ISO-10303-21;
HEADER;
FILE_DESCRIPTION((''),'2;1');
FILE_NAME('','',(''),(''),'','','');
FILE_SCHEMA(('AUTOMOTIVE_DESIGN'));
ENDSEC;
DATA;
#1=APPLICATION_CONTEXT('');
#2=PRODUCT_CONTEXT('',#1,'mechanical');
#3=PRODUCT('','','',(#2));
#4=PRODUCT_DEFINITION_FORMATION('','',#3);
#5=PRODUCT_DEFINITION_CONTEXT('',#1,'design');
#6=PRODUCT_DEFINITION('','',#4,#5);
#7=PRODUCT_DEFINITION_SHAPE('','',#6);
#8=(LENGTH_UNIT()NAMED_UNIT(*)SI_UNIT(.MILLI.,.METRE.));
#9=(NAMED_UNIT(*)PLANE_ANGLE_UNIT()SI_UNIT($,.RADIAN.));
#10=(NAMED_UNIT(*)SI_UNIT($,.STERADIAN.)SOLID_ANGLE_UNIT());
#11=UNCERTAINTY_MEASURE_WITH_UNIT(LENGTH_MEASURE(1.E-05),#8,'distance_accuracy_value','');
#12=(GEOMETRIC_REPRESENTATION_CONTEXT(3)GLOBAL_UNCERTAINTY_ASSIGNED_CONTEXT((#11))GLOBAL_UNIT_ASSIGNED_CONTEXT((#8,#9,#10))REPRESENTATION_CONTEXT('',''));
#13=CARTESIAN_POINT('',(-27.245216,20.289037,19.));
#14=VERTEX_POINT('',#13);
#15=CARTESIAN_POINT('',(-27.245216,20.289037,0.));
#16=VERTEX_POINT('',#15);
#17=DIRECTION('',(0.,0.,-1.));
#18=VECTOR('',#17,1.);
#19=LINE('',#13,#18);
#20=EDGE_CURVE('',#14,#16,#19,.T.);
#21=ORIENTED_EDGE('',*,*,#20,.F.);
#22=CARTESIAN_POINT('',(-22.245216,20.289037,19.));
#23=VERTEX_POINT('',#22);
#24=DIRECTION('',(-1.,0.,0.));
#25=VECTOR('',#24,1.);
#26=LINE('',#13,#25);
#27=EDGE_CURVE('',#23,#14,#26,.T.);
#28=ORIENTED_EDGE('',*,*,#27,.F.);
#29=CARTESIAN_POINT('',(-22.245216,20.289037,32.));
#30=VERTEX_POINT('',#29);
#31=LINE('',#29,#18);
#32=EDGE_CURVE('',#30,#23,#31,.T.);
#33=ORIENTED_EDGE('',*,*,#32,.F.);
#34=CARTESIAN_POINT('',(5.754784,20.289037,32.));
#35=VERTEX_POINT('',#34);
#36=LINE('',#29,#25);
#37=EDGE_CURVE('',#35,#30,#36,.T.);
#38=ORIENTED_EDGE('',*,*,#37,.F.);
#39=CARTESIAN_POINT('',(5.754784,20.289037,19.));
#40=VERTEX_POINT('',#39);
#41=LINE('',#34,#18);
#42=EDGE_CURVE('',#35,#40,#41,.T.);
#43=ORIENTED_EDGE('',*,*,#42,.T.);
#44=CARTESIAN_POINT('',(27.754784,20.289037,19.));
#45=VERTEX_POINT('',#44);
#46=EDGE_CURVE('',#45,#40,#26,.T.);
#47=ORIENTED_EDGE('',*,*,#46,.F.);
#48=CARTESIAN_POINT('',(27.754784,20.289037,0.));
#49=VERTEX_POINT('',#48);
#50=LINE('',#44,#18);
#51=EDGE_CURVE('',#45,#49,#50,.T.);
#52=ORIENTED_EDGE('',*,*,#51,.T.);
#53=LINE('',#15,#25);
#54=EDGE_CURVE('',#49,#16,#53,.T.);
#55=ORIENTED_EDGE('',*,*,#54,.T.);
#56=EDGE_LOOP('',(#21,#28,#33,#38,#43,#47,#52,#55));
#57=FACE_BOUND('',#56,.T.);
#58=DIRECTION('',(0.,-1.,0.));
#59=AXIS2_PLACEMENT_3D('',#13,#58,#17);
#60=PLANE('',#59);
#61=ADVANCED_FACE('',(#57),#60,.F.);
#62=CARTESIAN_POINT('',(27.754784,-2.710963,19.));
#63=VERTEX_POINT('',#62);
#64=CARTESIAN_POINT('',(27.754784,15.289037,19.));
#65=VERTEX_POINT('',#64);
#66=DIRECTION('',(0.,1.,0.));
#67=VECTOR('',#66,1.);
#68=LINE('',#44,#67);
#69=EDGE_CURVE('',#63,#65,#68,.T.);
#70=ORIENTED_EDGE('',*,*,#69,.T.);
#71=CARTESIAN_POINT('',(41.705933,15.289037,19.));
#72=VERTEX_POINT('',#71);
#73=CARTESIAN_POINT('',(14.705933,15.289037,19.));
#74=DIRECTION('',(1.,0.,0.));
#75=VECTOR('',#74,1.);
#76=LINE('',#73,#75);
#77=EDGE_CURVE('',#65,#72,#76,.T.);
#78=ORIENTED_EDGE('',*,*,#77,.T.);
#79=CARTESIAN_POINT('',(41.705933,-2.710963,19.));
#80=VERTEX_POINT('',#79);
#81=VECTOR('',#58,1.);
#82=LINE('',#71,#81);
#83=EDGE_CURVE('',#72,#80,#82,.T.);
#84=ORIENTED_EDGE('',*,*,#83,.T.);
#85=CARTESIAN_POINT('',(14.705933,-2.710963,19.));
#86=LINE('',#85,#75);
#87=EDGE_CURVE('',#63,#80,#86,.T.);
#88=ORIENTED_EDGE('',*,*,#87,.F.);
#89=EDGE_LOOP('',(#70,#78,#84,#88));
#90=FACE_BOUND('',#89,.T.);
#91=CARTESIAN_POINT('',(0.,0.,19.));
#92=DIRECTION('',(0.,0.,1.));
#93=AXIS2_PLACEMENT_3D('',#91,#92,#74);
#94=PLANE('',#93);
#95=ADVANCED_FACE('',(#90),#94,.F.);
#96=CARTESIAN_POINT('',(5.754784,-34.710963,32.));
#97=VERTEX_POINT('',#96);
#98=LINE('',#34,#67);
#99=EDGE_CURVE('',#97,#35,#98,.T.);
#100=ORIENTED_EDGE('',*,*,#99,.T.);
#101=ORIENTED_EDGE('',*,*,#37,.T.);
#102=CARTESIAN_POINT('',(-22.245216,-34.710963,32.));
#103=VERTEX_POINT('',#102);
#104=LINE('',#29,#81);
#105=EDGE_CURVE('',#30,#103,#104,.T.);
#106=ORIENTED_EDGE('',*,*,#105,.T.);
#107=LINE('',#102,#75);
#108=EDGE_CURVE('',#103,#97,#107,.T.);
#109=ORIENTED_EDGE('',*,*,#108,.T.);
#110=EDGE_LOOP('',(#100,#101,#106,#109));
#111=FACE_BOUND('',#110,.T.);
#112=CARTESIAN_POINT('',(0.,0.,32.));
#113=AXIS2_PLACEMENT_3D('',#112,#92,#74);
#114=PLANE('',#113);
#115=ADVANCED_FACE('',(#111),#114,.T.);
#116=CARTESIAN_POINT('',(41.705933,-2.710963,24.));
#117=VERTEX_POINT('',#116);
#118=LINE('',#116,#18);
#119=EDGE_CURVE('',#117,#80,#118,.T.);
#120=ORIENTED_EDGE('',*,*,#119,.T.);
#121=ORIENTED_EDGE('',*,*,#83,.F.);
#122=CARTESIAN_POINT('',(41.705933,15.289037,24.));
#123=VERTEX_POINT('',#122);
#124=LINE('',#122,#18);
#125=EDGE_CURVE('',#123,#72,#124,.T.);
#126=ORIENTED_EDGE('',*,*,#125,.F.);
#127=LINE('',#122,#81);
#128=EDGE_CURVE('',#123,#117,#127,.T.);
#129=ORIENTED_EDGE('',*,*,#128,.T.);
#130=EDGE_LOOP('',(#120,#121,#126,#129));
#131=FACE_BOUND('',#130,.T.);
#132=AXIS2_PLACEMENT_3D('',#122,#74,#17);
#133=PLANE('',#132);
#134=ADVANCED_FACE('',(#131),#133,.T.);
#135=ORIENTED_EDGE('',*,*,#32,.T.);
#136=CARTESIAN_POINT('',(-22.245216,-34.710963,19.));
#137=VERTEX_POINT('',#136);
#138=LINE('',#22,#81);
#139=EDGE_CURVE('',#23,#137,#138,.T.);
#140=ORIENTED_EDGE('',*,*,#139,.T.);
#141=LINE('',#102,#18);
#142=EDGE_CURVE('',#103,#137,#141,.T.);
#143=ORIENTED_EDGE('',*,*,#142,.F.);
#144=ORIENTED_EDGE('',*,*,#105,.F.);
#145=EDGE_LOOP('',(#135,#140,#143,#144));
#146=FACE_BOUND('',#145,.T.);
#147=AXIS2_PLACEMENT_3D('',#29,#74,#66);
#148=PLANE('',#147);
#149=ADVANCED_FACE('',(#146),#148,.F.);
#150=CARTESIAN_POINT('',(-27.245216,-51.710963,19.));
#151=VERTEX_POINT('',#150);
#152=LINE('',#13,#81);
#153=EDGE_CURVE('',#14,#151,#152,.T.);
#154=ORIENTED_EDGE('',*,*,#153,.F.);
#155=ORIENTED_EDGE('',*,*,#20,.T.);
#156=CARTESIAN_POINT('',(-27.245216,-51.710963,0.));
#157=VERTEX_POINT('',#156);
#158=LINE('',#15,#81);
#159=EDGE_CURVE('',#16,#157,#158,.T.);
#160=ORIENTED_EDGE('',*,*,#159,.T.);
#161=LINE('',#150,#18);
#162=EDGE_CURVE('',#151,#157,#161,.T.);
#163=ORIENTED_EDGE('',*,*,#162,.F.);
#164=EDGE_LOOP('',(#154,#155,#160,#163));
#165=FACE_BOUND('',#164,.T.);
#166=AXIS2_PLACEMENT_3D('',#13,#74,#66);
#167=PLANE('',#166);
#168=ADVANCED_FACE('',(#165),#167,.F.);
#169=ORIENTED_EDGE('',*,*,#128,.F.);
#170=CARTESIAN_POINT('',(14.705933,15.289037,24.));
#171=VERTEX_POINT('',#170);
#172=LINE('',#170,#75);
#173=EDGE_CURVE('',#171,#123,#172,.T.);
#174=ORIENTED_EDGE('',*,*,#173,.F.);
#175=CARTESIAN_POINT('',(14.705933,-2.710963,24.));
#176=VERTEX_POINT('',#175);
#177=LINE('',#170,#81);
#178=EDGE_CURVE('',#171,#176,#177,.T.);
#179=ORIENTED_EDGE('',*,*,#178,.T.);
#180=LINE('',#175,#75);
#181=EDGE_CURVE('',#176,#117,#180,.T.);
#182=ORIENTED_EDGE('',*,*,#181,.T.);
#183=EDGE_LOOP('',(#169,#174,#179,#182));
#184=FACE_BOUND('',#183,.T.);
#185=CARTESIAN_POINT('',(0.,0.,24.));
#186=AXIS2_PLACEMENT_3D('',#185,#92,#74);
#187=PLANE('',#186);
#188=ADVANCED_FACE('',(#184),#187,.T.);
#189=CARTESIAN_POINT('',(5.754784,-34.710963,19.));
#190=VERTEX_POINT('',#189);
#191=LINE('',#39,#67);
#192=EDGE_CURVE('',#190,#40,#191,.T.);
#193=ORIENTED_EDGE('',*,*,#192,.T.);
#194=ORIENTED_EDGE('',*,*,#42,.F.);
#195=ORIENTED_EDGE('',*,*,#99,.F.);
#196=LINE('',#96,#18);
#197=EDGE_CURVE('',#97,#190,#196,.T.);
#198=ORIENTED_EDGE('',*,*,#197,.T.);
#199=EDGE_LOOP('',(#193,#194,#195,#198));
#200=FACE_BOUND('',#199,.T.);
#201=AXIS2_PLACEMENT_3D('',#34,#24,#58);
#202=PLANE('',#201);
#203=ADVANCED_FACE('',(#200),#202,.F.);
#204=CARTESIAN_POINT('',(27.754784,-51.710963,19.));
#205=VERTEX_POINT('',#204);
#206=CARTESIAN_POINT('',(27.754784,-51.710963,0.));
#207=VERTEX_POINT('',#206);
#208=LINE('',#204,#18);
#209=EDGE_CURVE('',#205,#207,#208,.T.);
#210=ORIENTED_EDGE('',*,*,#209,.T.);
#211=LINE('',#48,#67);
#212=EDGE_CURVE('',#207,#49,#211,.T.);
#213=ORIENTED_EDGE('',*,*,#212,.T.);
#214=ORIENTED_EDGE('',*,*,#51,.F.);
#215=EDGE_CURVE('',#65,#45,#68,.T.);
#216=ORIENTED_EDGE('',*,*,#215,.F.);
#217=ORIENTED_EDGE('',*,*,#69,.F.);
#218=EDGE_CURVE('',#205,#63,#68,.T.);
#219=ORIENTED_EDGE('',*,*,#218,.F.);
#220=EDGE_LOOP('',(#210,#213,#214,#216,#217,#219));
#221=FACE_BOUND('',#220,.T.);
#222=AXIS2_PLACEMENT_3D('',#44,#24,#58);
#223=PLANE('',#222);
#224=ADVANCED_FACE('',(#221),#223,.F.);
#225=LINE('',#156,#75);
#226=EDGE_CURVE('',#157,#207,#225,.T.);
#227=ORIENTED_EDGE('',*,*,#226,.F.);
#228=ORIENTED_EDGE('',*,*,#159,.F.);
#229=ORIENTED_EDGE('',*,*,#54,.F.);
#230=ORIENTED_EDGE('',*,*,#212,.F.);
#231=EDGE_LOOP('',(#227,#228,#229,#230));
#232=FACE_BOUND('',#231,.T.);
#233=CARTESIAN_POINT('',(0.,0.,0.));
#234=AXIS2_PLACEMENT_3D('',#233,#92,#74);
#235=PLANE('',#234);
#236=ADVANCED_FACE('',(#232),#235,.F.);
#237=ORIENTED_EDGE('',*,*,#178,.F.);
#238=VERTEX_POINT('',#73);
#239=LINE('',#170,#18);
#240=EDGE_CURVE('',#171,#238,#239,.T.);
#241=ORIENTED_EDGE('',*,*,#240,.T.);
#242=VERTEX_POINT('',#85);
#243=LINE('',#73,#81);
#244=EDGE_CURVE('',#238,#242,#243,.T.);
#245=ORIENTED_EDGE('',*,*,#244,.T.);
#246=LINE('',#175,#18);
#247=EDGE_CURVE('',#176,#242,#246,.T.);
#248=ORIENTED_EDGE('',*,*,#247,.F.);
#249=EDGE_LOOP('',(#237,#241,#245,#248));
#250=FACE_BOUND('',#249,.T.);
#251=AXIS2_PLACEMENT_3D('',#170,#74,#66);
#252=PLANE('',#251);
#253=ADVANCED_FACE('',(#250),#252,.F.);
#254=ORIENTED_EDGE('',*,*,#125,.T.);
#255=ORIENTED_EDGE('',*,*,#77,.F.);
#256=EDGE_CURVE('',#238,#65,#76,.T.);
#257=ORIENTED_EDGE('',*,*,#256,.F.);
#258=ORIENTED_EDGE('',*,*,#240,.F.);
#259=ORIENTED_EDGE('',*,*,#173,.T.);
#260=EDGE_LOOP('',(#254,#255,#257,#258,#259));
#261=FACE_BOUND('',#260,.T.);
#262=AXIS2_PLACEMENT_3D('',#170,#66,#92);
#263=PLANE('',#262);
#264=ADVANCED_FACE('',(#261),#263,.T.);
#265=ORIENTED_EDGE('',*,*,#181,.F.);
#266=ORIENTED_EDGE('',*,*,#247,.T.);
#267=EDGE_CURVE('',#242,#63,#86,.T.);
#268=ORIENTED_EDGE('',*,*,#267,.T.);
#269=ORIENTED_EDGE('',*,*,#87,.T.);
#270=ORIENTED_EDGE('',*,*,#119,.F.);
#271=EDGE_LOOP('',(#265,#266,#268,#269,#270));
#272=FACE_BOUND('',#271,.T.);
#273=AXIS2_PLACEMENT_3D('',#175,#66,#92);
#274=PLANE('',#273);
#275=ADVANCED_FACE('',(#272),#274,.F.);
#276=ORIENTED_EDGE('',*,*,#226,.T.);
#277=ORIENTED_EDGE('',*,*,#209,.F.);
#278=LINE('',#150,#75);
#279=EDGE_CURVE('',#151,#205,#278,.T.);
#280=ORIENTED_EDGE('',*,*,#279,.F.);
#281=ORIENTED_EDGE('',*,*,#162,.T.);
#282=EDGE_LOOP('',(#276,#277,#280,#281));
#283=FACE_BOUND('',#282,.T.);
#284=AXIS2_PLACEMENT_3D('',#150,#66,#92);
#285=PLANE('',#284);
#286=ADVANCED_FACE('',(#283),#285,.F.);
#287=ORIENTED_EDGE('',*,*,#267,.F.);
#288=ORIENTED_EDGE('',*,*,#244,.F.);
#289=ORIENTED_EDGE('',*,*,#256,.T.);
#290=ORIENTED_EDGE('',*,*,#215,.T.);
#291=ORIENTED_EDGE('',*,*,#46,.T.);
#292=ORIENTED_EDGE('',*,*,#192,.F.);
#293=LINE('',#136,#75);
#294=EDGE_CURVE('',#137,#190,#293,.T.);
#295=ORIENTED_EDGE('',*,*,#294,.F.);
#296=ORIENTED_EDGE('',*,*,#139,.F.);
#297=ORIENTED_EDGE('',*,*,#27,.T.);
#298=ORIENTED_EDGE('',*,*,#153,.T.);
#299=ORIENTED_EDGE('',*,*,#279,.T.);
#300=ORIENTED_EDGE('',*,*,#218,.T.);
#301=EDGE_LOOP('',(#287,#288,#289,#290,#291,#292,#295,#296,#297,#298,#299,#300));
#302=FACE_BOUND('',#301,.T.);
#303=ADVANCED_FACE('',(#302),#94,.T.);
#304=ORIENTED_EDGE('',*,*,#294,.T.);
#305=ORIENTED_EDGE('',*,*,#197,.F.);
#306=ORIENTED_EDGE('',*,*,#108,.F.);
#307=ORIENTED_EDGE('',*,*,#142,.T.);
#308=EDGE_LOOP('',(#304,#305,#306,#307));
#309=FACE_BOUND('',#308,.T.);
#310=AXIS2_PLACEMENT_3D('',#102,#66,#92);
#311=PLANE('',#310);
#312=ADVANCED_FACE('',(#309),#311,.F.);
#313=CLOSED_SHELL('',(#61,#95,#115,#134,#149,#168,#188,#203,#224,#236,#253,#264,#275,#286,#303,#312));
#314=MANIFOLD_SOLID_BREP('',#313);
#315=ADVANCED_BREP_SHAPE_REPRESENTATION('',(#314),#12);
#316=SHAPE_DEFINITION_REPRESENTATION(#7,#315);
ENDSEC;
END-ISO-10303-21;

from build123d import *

# Parameters (mm, degrees)
SKIZZE1_W                       = 55
SKIZZE1_H                       = 72
AUFSATZ_LINEAR_AUSTRAGEN1_DEPTH = 19
SKIZZE2_W                       = 28
SKIZZE2_H                       = 55
AUFSATZ_LINEAR_AUSTRAGEN2_DEPTH = 13
SKIZZE3_W                       = 27
SKIZZE3_H                       = 18
AUFSATZ_LINEAR_AUSTRAGEN3_DEPTH = 5


with BuildPart() as part:
    # Skizze1 → Aufsatz-Linear austragen1 (new body)
    with BuildSketch(Plane.XY):
        with Locations((0.254783725, -15.710963455)):
            Rectangle(SKIZZE1_W, SKIZZE1_H)
    extrude(amount=AUFSATZ_LINEAR_AUSTRAGEN1_DEPTH)

    # Skizze2 → Aufsatz-Linear austragen2 (add)
    with BuildSketch(Plane.XY.offset(19)):
        with Locations((-8.245216275, -7.210963455)):
            Rectangle(SKIZZE2_W, SKIZZE2_H)
    extrude(amount=AUFSATZ_LINEAR_AUSTRAGEN2_DEPTH)

    # Skizze3 → Aufsatz-Linear austragen3 (add)
    with BuildSketch(Plane.XY.offset(19)):
        with Locations((28.20593288, 6.289036545)):
            Rectangle(SKIZZE3_W, SKIZZE3_H)
    extrude(amount=AUFSATZ_LINEAR_AUSTRAGEN3_DEPTH)


solid = part.part
